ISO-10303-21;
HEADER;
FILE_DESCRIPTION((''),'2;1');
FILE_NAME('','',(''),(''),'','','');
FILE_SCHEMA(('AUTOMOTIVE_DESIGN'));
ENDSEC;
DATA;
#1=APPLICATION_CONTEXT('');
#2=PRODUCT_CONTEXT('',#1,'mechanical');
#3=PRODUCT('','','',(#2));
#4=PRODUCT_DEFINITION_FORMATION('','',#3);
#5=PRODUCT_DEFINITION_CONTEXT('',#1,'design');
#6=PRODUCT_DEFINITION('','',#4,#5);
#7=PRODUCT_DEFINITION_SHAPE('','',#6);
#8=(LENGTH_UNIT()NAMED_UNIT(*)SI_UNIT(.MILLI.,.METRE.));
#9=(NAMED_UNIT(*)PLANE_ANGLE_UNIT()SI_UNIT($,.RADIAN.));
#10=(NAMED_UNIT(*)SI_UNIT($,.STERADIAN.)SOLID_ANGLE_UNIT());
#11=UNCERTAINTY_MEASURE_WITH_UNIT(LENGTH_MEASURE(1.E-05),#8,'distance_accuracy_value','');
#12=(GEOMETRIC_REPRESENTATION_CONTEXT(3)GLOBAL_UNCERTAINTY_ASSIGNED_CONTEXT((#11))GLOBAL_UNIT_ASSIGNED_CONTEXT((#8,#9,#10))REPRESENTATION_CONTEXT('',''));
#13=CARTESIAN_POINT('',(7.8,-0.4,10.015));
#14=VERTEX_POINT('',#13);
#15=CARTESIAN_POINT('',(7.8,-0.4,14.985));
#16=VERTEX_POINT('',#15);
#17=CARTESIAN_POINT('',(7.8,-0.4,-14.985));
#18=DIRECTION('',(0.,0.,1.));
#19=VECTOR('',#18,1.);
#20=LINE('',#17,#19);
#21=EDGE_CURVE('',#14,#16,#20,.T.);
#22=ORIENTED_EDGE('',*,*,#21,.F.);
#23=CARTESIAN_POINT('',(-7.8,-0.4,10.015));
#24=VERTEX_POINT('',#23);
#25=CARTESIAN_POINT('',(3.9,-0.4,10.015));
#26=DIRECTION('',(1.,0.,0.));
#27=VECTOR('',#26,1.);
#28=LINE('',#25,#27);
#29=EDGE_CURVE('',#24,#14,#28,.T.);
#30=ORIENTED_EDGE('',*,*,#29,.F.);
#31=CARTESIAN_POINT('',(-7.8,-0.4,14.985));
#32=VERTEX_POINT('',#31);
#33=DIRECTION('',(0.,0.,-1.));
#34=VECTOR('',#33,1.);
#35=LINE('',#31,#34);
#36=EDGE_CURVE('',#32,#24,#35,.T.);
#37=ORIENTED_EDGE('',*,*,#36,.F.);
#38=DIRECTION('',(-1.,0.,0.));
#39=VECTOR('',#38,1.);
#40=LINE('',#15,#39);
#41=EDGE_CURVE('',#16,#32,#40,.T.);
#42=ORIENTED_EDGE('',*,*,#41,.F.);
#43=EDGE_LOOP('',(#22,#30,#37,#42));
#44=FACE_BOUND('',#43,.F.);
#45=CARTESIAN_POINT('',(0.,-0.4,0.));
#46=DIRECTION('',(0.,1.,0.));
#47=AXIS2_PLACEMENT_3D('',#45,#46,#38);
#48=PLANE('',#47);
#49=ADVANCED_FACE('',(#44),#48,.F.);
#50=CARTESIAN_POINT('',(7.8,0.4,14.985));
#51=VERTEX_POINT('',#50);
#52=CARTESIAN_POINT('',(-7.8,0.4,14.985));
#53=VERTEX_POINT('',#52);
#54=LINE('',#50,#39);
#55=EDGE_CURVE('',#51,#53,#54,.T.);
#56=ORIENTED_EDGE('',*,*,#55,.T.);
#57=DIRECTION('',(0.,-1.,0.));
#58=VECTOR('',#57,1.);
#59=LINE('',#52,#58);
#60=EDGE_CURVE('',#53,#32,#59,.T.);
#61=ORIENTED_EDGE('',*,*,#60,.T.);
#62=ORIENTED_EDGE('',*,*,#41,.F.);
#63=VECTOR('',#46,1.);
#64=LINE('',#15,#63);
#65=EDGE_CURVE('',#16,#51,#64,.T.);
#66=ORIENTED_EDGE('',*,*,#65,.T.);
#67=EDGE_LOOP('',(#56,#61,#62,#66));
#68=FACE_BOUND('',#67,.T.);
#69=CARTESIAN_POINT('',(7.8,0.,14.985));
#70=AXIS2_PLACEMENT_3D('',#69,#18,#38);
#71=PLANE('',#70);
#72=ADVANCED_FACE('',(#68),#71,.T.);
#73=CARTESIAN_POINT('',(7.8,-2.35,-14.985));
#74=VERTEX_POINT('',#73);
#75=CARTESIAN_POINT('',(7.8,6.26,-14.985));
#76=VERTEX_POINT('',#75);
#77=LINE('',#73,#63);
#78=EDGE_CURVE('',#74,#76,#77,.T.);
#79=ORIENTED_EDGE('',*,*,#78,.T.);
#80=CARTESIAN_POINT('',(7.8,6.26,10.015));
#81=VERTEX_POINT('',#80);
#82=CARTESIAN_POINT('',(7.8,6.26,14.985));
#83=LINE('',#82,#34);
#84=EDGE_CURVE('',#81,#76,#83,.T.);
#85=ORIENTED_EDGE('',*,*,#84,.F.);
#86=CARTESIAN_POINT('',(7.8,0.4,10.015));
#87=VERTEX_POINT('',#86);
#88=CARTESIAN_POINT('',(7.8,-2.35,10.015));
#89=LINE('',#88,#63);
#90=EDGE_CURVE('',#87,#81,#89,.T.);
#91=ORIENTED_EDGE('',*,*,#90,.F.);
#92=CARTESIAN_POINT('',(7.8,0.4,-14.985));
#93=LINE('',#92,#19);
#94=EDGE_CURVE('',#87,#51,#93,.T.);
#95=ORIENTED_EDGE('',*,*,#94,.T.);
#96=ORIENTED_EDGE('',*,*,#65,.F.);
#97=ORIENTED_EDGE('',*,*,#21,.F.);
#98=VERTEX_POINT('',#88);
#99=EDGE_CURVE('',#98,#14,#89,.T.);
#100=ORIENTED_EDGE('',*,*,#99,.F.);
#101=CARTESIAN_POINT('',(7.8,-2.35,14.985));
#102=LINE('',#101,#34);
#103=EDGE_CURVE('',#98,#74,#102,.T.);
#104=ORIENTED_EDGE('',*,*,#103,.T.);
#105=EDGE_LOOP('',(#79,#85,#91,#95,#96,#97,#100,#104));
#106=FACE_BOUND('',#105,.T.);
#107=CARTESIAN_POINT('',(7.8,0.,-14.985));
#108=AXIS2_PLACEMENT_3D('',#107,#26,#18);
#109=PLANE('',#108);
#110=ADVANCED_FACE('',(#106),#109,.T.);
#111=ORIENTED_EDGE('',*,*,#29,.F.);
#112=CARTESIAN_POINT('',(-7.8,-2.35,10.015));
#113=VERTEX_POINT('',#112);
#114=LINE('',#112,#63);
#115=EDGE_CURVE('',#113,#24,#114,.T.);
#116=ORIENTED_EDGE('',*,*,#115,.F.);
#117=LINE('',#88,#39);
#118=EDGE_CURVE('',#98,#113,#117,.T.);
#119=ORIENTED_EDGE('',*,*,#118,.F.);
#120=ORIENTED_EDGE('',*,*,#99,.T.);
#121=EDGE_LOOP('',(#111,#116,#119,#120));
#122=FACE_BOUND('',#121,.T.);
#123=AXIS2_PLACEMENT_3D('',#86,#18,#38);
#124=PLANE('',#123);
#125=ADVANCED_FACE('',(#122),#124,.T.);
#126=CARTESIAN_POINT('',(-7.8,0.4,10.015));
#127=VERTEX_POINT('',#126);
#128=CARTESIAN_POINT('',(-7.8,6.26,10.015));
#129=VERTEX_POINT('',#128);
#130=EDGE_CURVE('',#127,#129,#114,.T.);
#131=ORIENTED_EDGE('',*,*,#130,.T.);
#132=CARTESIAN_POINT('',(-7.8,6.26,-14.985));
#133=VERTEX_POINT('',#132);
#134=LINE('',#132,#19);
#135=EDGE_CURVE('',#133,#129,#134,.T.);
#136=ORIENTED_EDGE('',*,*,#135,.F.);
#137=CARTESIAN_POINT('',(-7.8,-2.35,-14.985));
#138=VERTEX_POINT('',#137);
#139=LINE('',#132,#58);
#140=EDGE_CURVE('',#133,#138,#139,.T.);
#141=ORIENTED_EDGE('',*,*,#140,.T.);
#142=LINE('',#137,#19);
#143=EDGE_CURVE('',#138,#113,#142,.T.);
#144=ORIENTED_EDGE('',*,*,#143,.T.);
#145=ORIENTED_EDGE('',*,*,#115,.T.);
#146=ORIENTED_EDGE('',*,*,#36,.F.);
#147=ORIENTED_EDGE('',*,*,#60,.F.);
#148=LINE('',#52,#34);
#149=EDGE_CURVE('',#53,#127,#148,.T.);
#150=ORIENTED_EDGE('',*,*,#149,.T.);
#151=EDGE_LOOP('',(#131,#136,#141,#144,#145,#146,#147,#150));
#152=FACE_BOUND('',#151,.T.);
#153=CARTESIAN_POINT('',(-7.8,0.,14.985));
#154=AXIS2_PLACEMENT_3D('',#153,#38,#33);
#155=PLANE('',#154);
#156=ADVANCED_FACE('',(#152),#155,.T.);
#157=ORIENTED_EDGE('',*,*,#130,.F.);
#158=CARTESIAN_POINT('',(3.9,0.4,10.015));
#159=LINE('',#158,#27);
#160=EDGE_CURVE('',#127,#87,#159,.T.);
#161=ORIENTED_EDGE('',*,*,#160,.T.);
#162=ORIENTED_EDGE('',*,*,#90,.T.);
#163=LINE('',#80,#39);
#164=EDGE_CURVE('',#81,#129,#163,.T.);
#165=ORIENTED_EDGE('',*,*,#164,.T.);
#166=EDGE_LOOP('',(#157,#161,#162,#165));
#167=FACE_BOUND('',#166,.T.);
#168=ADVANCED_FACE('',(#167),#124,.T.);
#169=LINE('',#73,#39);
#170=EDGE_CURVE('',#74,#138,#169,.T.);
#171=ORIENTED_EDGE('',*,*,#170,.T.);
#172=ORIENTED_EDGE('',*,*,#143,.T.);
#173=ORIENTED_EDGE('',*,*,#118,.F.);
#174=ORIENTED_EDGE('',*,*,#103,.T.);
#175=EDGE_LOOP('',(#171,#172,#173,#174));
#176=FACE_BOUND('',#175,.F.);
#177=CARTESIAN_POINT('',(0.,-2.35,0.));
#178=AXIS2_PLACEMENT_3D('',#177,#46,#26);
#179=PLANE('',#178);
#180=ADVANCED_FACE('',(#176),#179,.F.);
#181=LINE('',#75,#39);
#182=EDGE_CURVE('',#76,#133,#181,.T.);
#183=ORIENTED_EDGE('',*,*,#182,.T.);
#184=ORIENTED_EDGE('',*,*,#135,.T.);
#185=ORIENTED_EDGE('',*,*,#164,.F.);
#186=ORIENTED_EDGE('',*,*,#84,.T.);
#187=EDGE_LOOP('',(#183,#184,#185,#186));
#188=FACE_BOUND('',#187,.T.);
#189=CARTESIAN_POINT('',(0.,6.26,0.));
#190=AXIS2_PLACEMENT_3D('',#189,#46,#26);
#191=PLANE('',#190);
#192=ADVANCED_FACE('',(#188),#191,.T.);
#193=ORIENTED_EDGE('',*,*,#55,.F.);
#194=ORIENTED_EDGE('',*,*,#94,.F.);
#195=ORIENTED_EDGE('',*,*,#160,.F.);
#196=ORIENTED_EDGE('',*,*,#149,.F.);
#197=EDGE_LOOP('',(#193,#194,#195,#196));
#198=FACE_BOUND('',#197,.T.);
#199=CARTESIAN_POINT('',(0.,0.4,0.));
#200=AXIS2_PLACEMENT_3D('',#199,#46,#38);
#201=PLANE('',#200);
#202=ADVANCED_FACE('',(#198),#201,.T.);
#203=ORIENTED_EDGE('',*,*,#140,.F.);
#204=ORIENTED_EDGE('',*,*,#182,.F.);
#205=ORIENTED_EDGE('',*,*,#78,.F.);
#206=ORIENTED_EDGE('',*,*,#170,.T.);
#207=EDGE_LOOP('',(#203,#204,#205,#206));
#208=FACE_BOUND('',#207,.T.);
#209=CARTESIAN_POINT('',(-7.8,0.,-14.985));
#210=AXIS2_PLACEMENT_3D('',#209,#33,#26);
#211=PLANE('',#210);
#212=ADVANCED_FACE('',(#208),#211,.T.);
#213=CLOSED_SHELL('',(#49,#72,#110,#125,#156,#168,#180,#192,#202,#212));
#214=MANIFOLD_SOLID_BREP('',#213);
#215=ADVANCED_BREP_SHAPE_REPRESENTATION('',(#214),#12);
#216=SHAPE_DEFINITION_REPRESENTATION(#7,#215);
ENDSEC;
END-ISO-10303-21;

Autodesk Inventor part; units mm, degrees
ref_plane "YZ Plane" through (0, 0, 0) normal (1, 0, 0) x (0, 1, 0)
ref_plane "XZ Plane" through (0, 0, 0) normal (0, 1, 0) x (-1, 0, 0)
ref_plane "XY Plane" through (0, 0, 0) normal (0, 0, 1) x (1, 0, 0)
sketch "Sketch1" plane through (0, 0, 0) normal (0, 1, 0) x (-1, 0, 0)
  line L0 (-7.8, 14.985) -> (7.8, 14.985)
  line L1 (7.8, 14.985) -> (7.8, -14.985)
  line L2 (7.8, -14.985) -> (-7.8, -14.985)
  line L3 (-7.8, -14.985) -> (-7.8, 14.985)
  line L4 (-7.8, 14.985) -> (7.8, -14.985) construction
  line L5 (7.8, 14.985) -> (-7.8, -14.985) construction
  point P0 (0, 0)
  dimension "d0" = 15.6
  dimension "d1" = 29.97
extrude "Extrusion1" add sketch "Sketch1" along normal mid plane 0.8
sketch "Sketch2" plane through (0, 0.4, 0) normal (0, 1, 0) x (1, 0, 0)
  line L0 (-7.8, -14.985) -> (7.8, -14.985) projected
  line L1 (7.8, -14.985) -> (7.8, 14.985) projected
  line L2 (7.8, 14.985) -> (-7.8, 14.985) projected
  line L3 (-7.8, 14.985) -> (-7.8, -14.985) projected
  line L4 (7.8, 14.985) -> (-7.8, 14.985) projected
  line L5 (7.8, -14.985) -> (7.8, 14.985) projected
  line L6 (-7.8, 14.985) -> (7.8, 14.985)
  line L7 (7.8, 14.985) -> (7.8, -10.015)
  line L8 (7.8, -10.015) -> (-7.8, -10.015)
  line L9 (-7.8, -10.015) -> (-7.8, 14.985)
  point P0 (0, 0)
  dimension "d4" = 25
extrude "Extrusion2" add sketch "Sketch2" along normal blind 5.86 and the other way blind 2.75 contours L3 L2 L1 L8
properties part number "Module_CO2Sensor-T6713" material "ABS Plastic"
